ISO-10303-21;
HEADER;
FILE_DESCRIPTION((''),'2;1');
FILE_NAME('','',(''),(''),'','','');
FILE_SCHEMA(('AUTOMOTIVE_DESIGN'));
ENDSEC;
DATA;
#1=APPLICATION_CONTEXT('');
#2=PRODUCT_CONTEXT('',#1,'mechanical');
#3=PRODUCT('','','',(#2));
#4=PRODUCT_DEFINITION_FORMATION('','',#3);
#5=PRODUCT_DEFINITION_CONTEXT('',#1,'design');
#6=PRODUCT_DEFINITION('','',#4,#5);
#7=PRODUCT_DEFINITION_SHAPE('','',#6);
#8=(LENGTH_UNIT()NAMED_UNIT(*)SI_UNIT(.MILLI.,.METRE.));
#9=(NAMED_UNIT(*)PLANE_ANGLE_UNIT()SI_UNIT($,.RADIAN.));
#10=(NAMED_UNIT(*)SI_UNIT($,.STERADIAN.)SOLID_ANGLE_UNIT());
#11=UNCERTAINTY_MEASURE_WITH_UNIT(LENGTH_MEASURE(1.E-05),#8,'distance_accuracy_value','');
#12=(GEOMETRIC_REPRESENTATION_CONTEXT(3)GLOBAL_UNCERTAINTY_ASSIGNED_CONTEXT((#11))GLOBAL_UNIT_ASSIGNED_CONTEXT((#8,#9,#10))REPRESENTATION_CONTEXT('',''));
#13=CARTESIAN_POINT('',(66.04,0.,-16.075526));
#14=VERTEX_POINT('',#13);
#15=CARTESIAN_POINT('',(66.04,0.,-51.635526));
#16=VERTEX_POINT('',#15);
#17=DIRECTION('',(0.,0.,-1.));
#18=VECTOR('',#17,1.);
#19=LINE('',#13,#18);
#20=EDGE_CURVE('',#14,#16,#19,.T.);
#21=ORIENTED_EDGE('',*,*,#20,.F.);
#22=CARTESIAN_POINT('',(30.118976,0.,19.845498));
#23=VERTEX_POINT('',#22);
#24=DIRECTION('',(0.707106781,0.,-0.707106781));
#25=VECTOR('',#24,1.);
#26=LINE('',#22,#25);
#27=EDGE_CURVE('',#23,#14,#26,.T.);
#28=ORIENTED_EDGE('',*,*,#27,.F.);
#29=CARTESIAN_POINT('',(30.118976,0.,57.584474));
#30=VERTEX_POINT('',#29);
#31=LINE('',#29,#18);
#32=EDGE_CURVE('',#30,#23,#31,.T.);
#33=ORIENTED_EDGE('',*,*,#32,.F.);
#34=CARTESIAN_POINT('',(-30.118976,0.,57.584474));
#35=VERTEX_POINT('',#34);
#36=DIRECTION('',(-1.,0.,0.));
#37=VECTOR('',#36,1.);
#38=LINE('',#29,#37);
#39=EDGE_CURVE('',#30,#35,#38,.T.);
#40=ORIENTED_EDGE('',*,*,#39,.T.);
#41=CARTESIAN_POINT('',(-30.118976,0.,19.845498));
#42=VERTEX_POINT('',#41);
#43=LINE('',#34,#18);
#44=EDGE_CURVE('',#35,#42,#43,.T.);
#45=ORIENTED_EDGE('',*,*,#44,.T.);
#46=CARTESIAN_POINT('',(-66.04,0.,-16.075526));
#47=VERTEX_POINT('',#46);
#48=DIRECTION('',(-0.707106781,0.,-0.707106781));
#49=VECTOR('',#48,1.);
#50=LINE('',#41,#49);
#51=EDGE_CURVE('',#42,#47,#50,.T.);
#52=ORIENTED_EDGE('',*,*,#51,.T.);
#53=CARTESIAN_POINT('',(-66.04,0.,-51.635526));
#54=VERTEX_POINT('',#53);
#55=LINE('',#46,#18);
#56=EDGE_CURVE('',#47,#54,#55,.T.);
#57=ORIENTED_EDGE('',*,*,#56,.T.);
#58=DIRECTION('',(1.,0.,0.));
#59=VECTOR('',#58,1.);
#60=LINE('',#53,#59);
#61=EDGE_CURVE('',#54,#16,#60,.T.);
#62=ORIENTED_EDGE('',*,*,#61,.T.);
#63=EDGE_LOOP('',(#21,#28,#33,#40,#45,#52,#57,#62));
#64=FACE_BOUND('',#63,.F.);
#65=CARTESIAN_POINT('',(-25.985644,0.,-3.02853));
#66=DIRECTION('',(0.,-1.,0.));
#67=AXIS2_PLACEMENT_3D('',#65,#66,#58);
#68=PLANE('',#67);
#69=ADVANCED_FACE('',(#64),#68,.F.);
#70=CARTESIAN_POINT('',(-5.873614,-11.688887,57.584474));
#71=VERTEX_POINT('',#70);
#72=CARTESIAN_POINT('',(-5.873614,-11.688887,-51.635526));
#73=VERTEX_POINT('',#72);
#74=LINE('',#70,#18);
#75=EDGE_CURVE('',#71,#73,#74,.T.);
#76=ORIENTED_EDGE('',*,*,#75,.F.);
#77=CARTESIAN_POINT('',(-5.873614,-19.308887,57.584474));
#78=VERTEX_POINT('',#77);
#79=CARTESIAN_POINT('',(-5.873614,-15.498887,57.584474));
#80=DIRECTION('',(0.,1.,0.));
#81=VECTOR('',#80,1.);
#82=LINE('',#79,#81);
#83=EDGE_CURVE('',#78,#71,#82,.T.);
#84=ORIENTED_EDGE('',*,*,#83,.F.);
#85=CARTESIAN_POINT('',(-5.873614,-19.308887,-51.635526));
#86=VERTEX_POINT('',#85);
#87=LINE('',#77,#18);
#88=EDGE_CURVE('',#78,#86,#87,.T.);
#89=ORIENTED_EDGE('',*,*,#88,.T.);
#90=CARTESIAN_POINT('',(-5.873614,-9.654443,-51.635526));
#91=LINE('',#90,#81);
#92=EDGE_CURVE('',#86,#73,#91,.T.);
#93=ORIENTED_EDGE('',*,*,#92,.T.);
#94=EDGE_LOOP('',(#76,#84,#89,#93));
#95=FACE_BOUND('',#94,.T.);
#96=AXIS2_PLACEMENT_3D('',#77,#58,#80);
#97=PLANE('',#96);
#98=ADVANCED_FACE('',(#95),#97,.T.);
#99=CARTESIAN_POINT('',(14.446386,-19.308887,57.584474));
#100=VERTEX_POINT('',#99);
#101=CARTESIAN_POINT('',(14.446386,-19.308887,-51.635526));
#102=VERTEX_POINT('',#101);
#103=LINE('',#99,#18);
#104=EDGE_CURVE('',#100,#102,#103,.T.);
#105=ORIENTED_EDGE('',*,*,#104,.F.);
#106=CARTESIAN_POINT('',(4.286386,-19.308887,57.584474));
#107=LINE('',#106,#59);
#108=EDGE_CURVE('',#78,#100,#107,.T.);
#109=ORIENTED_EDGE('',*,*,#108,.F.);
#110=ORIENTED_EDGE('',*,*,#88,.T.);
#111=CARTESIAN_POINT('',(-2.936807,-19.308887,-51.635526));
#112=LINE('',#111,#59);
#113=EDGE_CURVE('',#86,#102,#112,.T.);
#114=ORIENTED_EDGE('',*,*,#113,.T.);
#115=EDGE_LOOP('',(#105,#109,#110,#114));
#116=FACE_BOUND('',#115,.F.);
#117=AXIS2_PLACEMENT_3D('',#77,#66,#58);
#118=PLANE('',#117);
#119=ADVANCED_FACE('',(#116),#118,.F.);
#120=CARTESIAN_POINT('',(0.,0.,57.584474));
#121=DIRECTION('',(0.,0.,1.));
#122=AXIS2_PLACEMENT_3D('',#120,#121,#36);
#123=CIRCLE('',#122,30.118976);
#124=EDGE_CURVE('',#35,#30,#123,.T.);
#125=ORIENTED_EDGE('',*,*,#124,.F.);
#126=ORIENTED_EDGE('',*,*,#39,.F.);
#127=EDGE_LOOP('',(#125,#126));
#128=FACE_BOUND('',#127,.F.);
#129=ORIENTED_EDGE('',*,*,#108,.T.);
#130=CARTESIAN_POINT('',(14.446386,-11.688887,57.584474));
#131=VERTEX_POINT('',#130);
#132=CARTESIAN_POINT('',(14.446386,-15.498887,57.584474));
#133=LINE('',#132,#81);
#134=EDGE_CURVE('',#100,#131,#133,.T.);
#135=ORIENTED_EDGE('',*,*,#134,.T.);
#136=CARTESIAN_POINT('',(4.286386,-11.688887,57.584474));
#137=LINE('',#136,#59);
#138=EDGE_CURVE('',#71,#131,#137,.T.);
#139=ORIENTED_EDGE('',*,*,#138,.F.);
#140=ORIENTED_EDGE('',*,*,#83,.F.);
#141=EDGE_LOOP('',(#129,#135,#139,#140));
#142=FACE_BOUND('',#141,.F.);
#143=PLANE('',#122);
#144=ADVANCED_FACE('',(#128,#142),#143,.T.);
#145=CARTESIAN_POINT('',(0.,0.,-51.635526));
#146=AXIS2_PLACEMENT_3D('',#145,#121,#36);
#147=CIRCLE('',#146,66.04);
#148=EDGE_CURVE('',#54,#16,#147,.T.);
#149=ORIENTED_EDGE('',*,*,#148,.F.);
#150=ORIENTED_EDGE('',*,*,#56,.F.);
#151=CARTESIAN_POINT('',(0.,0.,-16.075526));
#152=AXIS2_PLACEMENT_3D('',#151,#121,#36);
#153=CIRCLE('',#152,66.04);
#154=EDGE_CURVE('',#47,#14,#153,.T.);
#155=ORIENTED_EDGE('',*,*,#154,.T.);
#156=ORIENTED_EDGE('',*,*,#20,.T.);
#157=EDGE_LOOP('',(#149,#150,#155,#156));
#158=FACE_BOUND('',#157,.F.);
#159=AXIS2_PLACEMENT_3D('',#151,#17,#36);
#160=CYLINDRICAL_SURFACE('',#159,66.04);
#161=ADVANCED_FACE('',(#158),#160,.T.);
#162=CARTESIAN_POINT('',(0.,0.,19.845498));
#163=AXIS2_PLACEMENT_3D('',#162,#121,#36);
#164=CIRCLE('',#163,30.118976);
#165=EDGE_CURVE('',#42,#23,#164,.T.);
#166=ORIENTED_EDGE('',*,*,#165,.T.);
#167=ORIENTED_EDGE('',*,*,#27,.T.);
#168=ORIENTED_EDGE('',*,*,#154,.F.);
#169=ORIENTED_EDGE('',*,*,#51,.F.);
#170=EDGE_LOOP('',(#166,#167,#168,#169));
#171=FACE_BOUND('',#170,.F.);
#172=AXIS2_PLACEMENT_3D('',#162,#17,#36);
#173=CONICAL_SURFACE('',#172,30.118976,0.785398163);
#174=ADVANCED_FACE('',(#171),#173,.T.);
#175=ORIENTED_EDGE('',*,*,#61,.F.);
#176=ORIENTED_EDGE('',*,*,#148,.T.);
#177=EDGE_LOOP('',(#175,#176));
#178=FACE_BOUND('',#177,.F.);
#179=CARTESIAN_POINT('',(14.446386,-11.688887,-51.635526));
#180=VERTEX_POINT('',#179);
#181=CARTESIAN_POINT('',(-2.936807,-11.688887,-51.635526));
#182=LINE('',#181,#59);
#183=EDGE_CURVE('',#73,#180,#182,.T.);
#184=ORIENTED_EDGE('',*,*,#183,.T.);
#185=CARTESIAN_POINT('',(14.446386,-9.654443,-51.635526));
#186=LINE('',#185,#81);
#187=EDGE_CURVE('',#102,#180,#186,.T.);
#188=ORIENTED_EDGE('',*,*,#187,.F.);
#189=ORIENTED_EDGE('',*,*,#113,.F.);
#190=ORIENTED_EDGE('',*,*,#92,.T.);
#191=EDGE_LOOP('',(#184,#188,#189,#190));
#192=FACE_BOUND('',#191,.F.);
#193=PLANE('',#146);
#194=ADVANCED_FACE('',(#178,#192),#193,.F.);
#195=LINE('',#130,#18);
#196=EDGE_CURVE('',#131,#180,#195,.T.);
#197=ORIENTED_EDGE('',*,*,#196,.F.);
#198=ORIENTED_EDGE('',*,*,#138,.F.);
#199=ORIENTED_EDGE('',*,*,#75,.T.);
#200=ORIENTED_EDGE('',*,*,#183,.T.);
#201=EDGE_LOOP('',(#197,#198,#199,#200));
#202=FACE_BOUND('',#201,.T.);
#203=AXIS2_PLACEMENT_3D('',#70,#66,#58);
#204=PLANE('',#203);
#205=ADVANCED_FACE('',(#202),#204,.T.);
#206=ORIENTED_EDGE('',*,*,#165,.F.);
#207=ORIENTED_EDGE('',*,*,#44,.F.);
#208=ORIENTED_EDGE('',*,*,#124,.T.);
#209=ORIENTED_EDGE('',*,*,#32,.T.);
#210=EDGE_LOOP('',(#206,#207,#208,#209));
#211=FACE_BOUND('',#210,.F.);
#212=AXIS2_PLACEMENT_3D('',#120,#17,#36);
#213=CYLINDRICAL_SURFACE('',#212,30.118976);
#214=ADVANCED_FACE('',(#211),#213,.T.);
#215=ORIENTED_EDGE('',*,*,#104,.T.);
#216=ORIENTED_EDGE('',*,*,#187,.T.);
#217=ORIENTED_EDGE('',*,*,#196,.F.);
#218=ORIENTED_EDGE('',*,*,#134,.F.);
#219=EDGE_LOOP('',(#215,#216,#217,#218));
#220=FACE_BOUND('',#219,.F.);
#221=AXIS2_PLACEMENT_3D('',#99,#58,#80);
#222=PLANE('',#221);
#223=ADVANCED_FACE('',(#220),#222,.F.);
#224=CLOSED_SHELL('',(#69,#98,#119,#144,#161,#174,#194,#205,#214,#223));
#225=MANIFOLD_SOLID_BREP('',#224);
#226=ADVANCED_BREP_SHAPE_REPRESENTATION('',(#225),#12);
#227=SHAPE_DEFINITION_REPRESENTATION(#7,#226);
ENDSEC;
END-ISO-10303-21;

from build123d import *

# Parameters (mm, degrees)
F1_ANGLE = 180
F2_W     = 20.32
F2_H     = 7.62
F3_DEPTH = 109.221


with BuildPart() as f1:
    # F0 (on Front) → F1 (revolve)
    with BuildSketch(Plane.XZ):
        Polygon((0, 57.584474), (-30.118976, 57.584474), (-30.118976, 19.845498), (-66.04, -16.075526), (-66.04, -51.635526), (0, -51.635526), align=None)
    revolve(axis=Axis((0, 0, 2.974474), (0, 0, 1)), revolution_arc=F1_ANGLE)

    # F2 (on face) → F3 (cut, through all)
    with BuildSketch(Plane.XY.offset(57.584474)):
        with Locations((4.286386, -15.498887)):
            Rectangle(F2_W, F2_H)
    extrude(amount=-F3_DEPTH, mode=Mode.SUBTRACT)


solid = f1.part
